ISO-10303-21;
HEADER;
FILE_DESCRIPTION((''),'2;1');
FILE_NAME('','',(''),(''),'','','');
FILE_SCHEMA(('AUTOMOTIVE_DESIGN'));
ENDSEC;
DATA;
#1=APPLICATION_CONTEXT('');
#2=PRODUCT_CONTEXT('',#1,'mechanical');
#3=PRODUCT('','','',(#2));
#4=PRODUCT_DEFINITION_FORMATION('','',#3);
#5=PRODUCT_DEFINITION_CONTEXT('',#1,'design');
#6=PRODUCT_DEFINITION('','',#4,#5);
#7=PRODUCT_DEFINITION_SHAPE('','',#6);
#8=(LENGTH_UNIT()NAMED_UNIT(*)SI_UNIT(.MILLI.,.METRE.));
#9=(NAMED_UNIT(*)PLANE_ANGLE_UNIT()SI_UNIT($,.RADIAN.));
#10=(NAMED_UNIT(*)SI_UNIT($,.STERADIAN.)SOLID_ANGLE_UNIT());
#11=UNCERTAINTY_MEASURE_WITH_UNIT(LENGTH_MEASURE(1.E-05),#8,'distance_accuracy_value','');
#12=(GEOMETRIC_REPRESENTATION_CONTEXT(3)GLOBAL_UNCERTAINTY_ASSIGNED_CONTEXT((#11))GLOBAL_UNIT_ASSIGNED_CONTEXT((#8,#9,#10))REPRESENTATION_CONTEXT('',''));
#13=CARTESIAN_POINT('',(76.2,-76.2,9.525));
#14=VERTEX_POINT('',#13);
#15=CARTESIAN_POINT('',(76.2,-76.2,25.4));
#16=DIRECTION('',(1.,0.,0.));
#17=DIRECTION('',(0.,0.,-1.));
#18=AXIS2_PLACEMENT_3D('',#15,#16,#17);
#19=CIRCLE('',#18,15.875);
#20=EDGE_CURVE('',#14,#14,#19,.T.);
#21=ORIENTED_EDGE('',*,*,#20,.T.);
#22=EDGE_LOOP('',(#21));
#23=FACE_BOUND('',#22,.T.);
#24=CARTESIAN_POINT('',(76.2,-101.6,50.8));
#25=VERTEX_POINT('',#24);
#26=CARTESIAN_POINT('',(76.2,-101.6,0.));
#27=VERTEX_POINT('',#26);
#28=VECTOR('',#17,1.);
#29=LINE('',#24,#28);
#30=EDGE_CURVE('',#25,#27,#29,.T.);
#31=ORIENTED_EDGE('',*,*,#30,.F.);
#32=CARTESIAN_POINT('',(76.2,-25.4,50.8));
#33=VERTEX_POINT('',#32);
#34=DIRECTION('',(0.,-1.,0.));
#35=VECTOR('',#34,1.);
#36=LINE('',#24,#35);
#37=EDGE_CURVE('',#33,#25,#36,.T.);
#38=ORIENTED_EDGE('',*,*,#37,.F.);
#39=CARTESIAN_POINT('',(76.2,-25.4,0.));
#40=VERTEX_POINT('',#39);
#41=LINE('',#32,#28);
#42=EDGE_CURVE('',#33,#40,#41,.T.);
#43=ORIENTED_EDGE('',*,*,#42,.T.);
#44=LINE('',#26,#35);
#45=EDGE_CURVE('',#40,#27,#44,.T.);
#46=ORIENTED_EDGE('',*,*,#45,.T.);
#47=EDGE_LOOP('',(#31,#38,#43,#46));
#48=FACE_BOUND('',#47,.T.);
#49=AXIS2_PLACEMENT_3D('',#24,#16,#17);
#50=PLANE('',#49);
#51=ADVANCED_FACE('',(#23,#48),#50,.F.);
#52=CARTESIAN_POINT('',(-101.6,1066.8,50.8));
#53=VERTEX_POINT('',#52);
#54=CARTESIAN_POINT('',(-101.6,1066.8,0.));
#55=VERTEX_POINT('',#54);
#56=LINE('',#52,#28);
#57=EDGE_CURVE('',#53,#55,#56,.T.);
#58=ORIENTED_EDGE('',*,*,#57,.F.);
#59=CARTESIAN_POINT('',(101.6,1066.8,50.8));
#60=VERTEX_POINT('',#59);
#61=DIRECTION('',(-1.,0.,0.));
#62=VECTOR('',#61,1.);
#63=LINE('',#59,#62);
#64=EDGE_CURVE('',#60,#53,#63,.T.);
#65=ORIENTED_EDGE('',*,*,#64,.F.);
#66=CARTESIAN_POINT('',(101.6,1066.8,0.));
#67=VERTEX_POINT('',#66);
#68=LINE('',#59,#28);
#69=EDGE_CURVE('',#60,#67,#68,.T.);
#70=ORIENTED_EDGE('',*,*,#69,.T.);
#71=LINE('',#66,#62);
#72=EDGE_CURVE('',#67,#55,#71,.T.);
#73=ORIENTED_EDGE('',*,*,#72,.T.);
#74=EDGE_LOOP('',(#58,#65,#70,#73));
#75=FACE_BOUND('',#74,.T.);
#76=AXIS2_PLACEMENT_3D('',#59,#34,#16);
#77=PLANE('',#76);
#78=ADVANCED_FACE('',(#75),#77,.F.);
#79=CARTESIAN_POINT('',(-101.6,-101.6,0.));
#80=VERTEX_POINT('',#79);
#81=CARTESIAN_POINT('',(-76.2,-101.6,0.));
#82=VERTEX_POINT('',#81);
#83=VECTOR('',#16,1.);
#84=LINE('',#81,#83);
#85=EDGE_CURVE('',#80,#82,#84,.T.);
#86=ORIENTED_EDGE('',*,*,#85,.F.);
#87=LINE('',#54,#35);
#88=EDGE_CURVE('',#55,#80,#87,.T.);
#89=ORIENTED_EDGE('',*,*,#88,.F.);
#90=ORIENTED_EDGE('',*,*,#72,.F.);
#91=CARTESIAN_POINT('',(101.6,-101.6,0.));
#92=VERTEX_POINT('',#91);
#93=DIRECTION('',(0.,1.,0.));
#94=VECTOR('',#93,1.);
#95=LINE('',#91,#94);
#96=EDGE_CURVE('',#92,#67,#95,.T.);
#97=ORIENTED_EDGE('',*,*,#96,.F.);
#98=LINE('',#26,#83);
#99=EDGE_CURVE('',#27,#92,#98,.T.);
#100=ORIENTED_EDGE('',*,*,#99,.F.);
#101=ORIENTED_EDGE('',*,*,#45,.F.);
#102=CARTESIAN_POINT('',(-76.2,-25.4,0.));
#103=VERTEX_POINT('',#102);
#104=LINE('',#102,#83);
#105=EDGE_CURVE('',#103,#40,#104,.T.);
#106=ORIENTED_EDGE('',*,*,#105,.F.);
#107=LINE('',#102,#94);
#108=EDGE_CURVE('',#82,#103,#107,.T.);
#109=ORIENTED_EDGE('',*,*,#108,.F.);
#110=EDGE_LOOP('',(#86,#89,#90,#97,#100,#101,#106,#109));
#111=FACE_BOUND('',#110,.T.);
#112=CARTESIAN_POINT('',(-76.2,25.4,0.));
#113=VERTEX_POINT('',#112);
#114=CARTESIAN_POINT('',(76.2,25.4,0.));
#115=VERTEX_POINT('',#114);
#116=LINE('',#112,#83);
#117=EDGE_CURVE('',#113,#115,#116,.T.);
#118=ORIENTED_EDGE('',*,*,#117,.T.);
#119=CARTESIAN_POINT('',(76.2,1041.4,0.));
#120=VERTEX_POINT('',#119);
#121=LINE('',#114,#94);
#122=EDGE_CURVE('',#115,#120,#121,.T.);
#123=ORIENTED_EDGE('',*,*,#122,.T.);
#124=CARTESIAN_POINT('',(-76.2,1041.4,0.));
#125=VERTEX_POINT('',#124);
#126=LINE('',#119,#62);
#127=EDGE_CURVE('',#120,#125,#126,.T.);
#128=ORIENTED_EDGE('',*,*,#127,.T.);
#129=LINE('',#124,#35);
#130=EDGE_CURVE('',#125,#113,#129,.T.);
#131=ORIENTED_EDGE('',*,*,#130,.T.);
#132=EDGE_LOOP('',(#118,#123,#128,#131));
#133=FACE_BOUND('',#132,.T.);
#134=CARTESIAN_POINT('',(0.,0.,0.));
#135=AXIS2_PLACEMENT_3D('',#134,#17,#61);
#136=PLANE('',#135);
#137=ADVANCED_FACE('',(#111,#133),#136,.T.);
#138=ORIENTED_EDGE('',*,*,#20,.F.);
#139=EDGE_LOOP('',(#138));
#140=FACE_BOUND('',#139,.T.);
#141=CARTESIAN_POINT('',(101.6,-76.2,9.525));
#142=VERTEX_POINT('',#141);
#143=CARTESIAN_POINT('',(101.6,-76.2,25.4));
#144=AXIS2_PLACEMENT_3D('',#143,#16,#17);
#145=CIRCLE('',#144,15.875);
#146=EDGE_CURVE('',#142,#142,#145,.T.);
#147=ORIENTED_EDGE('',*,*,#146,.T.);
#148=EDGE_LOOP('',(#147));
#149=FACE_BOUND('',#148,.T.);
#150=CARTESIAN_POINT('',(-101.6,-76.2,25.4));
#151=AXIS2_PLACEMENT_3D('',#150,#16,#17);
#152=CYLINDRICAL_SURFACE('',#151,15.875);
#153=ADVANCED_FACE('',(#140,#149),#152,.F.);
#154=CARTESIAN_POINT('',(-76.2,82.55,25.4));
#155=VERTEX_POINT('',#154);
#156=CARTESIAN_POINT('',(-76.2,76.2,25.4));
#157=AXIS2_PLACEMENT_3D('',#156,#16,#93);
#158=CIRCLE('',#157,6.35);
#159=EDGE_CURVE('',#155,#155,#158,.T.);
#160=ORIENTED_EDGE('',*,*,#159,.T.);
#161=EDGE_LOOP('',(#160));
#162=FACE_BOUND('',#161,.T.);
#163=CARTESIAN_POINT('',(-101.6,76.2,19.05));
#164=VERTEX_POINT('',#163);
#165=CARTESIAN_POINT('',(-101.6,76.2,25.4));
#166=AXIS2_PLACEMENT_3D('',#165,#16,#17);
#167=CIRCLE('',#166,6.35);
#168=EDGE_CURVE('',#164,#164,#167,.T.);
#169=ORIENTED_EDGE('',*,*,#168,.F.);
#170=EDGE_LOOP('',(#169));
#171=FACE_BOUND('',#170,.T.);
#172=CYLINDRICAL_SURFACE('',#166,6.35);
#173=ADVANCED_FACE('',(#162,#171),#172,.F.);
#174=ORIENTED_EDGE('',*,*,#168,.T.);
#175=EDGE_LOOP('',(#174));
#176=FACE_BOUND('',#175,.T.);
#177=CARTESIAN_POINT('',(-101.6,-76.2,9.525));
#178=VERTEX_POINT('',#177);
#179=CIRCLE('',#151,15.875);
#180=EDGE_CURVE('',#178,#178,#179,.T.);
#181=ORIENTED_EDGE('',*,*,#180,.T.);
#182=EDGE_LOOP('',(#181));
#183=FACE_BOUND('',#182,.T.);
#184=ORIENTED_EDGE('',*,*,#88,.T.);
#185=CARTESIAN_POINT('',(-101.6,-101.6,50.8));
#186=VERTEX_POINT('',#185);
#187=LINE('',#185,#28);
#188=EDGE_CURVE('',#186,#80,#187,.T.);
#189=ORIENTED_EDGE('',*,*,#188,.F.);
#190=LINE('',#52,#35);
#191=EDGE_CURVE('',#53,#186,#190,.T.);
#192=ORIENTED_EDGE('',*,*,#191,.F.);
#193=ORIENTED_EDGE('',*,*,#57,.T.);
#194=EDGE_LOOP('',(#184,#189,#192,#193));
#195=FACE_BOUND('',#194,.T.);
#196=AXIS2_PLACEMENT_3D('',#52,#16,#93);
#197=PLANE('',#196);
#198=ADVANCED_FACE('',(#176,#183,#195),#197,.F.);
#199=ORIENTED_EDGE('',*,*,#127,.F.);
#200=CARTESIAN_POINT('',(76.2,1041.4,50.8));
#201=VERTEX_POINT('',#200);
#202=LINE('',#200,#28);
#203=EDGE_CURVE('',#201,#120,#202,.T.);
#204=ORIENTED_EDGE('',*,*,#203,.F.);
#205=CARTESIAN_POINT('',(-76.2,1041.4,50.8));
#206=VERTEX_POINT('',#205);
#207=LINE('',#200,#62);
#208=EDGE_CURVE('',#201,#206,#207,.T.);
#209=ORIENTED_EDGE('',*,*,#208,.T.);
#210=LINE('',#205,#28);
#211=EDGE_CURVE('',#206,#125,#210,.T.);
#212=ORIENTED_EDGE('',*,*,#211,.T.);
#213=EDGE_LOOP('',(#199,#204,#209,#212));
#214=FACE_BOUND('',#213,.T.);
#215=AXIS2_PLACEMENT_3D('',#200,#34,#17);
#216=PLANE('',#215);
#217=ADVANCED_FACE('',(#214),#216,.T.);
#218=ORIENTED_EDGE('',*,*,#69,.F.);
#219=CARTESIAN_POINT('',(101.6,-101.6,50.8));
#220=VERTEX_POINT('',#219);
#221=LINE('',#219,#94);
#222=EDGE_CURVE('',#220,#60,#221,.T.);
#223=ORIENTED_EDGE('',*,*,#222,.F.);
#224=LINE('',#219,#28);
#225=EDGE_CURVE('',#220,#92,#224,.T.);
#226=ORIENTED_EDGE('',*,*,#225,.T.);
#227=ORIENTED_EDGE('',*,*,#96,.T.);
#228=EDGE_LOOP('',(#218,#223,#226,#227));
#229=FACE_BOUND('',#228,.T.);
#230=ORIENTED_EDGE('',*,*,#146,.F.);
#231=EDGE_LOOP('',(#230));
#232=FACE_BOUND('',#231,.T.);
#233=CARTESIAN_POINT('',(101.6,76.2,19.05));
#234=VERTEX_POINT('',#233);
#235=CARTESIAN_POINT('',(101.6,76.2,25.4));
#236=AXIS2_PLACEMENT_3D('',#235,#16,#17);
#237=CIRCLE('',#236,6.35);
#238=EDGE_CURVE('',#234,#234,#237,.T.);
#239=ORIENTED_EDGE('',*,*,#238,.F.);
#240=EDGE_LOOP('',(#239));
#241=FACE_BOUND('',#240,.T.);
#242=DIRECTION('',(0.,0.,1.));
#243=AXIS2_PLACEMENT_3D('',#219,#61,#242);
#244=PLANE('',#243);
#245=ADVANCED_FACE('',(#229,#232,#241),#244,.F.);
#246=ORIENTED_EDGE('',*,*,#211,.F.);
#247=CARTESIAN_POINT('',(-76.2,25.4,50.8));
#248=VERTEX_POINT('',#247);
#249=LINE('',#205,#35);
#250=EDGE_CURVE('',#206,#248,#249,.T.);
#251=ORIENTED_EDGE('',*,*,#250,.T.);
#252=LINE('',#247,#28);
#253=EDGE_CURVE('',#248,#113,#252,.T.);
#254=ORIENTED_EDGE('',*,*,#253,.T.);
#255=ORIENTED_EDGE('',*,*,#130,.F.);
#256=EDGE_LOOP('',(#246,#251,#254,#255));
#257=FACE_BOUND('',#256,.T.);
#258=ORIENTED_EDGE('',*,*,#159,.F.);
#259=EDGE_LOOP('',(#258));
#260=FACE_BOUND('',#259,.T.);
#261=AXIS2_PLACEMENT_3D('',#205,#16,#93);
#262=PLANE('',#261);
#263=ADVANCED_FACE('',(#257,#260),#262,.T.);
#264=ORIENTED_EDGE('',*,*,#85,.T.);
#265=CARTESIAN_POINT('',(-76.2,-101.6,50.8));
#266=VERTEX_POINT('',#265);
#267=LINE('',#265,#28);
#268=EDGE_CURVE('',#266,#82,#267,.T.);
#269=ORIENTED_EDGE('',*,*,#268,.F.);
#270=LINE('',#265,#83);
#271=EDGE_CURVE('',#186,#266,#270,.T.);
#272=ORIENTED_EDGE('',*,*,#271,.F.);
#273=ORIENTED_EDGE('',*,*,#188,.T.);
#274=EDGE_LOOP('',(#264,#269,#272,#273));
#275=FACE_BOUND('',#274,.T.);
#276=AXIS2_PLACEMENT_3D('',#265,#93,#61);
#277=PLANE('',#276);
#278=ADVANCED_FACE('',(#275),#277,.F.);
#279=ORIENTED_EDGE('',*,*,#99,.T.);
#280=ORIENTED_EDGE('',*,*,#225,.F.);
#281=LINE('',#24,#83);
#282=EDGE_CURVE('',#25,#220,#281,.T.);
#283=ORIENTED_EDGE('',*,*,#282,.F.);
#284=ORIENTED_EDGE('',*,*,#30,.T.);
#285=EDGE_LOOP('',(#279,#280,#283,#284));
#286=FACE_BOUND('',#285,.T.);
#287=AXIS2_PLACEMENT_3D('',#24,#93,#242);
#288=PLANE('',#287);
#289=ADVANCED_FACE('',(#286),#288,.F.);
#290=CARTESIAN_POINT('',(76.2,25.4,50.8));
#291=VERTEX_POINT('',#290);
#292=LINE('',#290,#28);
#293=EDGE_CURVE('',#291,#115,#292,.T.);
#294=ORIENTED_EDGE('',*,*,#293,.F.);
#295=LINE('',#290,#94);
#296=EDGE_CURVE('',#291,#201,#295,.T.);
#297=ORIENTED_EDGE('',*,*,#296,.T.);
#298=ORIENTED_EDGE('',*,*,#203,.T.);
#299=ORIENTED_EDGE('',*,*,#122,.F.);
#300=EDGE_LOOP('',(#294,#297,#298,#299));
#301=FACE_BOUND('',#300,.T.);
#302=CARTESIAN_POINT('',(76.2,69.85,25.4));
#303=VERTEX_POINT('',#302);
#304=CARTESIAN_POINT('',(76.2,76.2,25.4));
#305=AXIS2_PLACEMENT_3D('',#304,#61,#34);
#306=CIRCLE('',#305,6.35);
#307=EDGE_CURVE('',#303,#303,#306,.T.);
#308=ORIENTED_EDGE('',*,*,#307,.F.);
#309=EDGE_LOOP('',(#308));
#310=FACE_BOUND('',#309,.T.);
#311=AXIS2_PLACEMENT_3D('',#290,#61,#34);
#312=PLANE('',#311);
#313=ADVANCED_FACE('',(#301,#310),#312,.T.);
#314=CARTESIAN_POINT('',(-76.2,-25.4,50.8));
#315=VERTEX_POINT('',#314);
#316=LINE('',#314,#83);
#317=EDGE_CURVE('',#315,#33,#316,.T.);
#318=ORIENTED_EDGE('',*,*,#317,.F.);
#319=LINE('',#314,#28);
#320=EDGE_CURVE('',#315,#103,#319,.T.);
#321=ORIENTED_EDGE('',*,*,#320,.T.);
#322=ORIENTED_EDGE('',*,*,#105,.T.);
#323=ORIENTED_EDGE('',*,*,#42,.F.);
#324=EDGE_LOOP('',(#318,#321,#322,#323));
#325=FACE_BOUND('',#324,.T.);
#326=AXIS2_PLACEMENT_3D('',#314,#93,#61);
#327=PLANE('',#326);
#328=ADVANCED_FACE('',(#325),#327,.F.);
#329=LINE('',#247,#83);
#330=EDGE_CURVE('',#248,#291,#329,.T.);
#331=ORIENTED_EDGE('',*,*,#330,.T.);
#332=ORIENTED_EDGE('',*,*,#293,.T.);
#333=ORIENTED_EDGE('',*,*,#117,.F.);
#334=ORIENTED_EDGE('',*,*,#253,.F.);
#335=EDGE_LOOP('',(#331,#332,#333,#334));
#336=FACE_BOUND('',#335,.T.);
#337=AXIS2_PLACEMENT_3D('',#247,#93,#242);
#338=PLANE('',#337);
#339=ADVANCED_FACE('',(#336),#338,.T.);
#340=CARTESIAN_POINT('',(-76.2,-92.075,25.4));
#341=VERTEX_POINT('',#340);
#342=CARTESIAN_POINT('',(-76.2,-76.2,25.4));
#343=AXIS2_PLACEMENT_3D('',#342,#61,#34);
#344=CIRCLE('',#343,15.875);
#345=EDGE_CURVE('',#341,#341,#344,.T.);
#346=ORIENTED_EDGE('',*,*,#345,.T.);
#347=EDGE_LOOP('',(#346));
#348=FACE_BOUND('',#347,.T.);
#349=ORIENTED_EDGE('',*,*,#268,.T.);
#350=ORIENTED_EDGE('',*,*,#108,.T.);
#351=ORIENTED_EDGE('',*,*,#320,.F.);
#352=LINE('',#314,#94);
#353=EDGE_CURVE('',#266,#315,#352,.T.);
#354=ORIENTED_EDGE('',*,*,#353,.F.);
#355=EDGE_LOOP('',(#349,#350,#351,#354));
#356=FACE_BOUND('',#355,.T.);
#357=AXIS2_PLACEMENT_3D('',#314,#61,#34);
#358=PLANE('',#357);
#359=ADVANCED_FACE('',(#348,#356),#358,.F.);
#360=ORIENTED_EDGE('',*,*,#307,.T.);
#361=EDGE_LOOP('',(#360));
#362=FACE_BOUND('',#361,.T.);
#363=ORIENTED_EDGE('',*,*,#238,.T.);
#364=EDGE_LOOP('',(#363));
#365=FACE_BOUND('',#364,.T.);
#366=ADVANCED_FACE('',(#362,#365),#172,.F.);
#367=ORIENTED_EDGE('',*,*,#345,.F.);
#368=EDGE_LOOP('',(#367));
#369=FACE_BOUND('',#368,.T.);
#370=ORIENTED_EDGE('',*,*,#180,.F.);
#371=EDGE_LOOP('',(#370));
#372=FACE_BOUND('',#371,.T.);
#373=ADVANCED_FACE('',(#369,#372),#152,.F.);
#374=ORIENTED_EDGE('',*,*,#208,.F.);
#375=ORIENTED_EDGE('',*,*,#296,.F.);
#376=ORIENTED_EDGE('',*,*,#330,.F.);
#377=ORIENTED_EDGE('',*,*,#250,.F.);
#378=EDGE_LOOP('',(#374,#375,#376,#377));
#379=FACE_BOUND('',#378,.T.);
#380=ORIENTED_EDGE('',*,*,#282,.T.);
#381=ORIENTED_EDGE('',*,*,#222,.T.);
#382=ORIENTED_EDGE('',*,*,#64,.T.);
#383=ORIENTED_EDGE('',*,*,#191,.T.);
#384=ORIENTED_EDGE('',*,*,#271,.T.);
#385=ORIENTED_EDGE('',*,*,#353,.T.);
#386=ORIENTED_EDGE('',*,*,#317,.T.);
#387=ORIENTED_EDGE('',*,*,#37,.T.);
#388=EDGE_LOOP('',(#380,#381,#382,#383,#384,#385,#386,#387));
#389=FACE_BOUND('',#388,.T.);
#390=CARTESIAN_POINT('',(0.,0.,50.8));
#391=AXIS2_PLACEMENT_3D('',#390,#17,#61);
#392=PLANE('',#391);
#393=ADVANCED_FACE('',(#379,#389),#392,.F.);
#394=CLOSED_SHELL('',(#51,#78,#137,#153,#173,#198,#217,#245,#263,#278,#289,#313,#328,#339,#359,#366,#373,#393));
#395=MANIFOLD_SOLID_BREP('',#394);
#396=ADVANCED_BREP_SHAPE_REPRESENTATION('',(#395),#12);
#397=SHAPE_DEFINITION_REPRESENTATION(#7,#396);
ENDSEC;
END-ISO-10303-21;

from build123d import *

# Parameters (mm, degrees)
SKETCH1_W           = 152.4
SKETCH1_H           = 1016
BOSS_EXTRUDE1_DEPTH = 50.8
SKETCH2_R           = 15.875
SKETCH2_R_2         = 6.35
CUT_EXTRUDE1_DEPTH  = 1088.167475599


with BuildPart() as part:
    # Sketch1 → Boss-Extrude1 (new body)
    with BuildSketch(Plane.XY):
        Polygon((-76.2, -25.4), (76.2, -25.4), (76.2, -101.6), (101.6, -101.6), (101.6, 1066.8), (-101.6, 1066.8), (-101.6, -101.6), (-76.2, -101.6), align=None)
        with Locations((0, 533.4)):
            Rectangle(SKETCH1_W, SKETCH1_H, mode=Mode.SUBTRACT)
    extrude(amount=BOSS_EXTRUDE1_DEPTH)

    # Sketch2 → Cut-Extrude1 (cut, through all)
    with BuildSketch(Plane(origin=(101.6, 0, 0), x_dir=(0, 0, -1), z_dir=(1, 0, 0))):
        with Locations((-25.4, -76.2)):
            Circle(SKETCH2_R)
        with Locations((-25.4, 76.2)):
            Circle(SKETCH2_R_2)
    extrude(amount=-CUT_EXTRUDE1_DEPTH, mode=Mode.SUBTRACT)


solid = part.part
